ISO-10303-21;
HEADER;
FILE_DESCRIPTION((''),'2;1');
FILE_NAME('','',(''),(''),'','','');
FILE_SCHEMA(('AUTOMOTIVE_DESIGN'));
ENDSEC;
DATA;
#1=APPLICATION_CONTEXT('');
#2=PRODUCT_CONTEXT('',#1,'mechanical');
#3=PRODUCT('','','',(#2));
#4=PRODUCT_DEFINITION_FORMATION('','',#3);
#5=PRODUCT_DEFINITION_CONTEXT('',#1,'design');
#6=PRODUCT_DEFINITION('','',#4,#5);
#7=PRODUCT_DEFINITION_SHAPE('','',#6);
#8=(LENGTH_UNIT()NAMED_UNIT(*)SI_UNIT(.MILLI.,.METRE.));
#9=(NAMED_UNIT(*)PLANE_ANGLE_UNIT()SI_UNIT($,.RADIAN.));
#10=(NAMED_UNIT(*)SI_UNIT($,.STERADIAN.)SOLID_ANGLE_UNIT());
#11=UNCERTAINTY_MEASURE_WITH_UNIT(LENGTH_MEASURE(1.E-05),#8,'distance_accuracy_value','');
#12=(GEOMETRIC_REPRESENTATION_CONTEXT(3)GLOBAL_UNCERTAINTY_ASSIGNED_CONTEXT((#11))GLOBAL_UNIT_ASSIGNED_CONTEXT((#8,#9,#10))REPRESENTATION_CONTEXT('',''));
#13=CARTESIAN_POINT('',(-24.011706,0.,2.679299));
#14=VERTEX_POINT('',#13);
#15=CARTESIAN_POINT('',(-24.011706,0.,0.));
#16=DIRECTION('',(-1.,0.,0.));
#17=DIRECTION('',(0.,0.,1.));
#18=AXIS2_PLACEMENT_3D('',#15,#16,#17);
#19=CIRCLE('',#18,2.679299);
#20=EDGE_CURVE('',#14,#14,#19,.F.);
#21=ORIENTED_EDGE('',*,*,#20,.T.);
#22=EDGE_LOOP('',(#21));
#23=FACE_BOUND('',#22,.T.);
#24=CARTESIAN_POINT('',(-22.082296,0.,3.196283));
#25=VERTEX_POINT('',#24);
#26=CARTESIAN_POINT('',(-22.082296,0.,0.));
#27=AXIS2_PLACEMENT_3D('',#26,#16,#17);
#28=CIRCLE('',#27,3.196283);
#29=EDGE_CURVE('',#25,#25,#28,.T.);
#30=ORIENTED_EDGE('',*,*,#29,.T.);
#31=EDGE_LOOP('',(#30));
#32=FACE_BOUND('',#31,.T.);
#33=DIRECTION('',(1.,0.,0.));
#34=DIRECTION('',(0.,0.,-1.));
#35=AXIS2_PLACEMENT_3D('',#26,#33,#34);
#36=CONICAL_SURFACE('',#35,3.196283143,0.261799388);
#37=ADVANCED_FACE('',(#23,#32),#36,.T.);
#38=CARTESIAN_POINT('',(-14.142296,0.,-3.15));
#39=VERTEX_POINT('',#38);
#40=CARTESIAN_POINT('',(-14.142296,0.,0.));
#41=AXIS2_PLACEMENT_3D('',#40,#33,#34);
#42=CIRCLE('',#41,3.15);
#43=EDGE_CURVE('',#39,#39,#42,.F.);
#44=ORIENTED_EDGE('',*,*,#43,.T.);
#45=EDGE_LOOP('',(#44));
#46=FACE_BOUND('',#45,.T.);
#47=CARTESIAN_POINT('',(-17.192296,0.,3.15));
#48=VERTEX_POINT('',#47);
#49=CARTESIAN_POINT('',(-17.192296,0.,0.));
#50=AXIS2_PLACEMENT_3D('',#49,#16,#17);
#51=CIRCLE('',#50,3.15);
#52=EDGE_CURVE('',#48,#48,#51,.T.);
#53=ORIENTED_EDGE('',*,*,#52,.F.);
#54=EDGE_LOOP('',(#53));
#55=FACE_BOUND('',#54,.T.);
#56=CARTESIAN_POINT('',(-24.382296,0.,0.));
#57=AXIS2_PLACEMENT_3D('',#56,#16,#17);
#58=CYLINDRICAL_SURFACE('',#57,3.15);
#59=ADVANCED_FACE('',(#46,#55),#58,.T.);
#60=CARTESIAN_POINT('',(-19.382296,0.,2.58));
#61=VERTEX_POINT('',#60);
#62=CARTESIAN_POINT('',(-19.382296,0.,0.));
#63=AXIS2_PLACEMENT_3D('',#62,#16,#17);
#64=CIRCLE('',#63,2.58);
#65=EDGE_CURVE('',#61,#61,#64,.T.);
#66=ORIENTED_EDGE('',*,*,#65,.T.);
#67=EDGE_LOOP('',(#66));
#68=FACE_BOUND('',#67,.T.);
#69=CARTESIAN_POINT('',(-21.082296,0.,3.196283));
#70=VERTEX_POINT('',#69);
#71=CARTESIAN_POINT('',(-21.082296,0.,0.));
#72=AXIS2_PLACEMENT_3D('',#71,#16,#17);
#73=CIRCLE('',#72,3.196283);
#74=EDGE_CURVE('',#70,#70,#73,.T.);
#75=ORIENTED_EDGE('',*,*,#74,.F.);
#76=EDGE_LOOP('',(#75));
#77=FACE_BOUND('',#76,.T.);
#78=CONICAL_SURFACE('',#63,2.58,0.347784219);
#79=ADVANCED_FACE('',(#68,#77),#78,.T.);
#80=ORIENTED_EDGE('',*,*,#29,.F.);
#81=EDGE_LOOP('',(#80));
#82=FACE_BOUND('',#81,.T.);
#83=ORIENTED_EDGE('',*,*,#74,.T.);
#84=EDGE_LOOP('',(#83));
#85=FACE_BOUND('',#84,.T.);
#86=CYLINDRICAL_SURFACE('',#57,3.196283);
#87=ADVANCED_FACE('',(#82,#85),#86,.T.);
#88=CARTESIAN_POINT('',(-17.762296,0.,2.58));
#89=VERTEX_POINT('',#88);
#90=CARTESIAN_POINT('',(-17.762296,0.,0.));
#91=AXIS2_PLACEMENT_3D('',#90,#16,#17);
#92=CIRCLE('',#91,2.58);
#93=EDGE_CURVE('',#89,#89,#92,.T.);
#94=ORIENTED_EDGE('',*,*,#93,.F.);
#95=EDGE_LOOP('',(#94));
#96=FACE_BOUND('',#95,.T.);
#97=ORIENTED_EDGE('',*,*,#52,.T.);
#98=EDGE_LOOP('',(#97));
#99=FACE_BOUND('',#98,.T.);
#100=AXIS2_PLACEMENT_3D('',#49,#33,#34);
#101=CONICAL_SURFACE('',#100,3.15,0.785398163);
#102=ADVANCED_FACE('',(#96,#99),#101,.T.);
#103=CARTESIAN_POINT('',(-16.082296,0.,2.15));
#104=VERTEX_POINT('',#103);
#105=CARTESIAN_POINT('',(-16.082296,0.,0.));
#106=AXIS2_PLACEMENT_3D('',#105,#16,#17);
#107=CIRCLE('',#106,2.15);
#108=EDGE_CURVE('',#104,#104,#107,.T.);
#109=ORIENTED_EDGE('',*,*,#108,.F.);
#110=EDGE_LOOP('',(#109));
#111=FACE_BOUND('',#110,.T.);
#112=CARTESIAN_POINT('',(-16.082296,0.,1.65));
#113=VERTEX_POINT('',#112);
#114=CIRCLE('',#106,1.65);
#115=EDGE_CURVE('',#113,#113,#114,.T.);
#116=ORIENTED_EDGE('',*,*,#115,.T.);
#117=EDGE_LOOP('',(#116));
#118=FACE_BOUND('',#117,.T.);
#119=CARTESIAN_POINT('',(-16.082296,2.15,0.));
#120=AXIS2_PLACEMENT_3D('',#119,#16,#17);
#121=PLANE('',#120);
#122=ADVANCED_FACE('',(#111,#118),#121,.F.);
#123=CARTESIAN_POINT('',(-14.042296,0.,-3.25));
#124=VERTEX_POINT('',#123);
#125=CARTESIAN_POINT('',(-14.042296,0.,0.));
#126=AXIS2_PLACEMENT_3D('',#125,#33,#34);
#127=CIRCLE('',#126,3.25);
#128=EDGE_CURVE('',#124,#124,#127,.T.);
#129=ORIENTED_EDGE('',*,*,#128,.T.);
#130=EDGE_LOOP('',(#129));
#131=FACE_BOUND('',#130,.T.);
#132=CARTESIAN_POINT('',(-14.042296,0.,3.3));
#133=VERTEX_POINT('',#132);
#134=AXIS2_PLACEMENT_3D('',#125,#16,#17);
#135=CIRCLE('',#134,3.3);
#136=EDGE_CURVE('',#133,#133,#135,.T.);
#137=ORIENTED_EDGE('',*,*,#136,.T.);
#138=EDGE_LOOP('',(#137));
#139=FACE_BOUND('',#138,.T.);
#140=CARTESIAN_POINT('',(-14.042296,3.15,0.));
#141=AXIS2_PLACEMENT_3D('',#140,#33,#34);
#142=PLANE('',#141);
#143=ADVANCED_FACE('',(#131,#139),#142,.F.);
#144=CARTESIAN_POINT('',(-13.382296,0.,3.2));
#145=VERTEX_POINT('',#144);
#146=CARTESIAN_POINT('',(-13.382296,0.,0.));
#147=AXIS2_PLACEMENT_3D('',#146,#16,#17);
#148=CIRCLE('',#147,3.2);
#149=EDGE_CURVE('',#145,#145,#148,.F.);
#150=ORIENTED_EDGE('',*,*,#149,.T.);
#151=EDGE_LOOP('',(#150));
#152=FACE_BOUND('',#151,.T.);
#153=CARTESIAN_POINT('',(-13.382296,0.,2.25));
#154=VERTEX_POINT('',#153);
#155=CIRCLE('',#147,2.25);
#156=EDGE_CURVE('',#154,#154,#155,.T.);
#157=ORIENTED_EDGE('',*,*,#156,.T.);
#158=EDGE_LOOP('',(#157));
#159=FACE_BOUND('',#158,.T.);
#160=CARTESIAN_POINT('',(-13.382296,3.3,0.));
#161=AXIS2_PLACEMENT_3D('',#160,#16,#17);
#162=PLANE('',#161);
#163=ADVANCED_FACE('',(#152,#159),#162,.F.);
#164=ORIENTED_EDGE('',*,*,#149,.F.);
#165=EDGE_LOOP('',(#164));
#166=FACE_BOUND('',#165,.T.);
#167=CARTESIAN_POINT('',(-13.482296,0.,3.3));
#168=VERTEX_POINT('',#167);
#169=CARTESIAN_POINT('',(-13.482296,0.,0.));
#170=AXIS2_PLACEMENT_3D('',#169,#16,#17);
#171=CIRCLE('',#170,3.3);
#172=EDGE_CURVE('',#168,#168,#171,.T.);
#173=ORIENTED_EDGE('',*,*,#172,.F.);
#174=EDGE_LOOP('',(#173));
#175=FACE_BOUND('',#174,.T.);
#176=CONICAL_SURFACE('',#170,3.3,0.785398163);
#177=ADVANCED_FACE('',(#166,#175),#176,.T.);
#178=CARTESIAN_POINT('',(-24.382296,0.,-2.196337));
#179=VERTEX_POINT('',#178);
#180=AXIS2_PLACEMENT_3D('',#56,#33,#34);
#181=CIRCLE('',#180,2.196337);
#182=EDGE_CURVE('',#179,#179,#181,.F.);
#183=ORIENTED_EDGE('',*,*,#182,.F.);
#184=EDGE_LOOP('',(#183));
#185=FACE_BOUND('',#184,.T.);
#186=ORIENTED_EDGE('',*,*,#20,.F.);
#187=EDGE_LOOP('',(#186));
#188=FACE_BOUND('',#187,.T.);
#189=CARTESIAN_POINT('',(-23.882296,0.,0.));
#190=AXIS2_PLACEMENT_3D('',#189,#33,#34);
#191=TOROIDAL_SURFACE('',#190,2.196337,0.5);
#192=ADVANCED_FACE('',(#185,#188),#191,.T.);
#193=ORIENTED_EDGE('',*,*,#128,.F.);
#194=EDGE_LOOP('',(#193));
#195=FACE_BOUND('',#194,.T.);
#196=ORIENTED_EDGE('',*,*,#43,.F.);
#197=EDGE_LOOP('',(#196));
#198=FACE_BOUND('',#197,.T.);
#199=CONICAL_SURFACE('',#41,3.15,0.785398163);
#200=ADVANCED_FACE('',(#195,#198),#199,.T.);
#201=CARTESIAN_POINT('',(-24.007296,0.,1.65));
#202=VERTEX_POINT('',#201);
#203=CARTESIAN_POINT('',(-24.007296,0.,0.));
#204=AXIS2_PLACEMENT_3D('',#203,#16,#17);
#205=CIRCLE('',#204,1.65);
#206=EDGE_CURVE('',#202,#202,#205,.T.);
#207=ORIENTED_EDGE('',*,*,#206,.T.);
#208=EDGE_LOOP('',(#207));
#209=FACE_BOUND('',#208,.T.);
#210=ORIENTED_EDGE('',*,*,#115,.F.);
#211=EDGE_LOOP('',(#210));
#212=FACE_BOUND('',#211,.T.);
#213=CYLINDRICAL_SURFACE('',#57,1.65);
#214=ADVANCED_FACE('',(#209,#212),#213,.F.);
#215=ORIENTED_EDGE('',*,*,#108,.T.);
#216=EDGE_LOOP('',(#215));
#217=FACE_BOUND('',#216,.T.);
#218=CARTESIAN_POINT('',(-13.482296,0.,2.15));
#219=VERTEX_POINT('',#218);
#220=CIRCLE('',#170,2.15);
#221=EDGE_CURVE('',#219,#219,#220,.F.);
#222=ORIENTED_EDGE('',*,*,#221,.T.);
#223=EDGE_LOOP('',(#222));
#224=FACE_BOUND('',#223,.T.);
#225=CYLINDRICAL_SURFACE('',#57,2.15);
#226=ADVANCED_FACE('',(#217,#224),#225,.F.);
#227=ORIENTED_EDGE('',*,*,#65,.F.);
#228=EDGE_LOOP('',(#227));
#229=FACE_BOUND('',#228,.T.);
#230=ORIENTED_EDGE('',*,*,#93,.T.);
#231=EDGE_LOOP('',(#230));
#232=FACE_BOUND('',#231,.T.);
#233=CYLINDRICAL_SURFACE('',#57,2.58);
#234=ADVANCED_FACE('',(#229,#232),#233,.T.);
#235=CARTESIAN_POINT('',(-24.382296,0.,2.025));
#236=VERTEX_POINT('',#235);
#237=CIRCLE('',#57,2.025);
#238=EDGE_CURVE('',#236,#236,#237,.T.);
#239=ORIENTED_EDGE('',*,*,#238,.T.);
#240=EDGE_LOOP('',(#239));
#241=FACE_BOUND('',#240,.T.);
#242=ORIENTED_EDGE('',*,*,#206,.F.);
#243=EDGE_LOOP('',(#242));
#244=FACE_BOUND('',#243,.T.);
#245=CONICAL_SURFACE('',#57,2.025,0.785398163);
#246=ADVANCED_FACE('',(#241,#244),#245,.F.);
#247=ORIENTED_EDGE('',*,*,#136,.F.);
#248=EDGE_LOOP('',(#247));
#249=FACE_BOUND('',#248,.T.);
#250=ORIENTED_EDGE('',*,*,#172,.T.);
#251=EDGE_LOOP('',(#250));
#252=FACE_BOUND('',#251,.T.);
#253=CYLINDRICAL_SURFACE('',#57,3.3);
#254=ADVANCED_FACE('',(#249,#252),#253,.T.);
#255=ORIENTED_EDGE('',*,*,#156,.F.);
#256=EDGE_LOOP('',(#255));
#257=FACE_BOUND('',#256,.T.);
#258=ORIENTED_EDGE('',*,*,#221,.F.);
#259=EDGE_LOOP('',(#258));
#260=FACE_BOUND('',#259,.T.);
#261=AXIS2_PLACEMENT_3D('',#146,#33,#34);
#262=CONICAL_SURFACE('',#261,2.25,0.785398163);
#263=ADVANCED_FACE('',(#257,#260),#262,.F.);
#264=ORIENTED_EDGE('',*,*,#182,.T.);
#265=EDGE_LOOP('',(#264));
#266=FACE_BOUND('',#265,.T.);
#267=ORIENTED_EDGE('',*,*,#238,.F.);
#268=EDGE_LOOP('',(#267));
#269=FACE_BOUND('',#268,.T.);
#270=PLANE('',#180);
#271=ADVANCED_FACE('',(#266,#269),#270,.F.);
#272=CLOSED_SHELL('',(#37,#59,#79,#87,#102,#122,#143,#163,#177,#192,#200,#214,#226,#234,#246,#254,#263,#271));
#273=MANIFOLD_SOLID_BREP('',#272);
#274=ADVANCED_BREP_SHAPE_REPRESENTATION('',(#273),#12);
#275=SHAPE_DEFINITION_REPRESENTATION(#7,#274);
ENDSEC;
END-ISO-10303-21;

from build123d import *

# Parameters (mm, degrees)
M4_TAPPED_HOLE1_D           = 3.3
M4_TAPPED_HOLE1_CSINK_D     = 4.05
M4_TAPPED_HOLE1_CSINK_ANGLE = 90
FILLET3_R                   = 0.5
CHAMFER1_SIZE               = 0.1


with BuildPart() as part:
    # Sketch2 → Revolve1 (revolve)
    with BuildSketch(Plane.XY, mode=Mode.PRIVATE) as revolve1_sk:
        Polygon((-24.382296362, 0), (-17.415327427, 0), (-16.082296362, 0), (-16.082296362, 2.15), (-13.382296362, 2.15), (-13.382296362, 3.3), (-14.042296362, 3.3), (-14.042296362, 3.15), (-17.192296362, 3.15), (-17.762296362, 2.58), (-19.382296362, 2.58), (-21.082296362, 3.196283143), (-22.082296362, 3.196283143), (-24.382296362, 2.58), align=None)
    revolve(revolve1_sk.sketch.rotate(Axis((-24.382296362, 0, 0), (1, 0, 0)), 90), axis=Axis((-24.382296362, 0, 0), (1, 0, 0)))

    # M4 Tapped Hole1 (through all)
    with Locations(Plane.ZY.offset(24.382296362)):
        with Locations((0, 0)):
            CounterSinkHole(M4_TAPPED_HOLE1_D / 2, M4_TAPPED_HOLE1_CSINK_D / 2, counter_sink_angle=M4_TAPPED_HOLE1_CSINK_ANGLE)

    # Fillet3
    fillet3_edges = [part.edges().sort_by_distance(p)[0] for p in [
        (-24.382296362, 0, -2.58),
    ]]
    fillet(fillet3_edges, radius=FILLET3_R)

    # Chamfer1
    chamfer1_edges = [part.edges().sort_by_distance(p)[0] for p in [
        (-13.382296362, 0, -2.15),
        (-13.382296362, 0, -3.3),
        (-14.042296362, 0, -3.15),
    ]]
    chamfer(chamfer1_edges, length=CHAMFER1_SIZE)


solid = part.part
